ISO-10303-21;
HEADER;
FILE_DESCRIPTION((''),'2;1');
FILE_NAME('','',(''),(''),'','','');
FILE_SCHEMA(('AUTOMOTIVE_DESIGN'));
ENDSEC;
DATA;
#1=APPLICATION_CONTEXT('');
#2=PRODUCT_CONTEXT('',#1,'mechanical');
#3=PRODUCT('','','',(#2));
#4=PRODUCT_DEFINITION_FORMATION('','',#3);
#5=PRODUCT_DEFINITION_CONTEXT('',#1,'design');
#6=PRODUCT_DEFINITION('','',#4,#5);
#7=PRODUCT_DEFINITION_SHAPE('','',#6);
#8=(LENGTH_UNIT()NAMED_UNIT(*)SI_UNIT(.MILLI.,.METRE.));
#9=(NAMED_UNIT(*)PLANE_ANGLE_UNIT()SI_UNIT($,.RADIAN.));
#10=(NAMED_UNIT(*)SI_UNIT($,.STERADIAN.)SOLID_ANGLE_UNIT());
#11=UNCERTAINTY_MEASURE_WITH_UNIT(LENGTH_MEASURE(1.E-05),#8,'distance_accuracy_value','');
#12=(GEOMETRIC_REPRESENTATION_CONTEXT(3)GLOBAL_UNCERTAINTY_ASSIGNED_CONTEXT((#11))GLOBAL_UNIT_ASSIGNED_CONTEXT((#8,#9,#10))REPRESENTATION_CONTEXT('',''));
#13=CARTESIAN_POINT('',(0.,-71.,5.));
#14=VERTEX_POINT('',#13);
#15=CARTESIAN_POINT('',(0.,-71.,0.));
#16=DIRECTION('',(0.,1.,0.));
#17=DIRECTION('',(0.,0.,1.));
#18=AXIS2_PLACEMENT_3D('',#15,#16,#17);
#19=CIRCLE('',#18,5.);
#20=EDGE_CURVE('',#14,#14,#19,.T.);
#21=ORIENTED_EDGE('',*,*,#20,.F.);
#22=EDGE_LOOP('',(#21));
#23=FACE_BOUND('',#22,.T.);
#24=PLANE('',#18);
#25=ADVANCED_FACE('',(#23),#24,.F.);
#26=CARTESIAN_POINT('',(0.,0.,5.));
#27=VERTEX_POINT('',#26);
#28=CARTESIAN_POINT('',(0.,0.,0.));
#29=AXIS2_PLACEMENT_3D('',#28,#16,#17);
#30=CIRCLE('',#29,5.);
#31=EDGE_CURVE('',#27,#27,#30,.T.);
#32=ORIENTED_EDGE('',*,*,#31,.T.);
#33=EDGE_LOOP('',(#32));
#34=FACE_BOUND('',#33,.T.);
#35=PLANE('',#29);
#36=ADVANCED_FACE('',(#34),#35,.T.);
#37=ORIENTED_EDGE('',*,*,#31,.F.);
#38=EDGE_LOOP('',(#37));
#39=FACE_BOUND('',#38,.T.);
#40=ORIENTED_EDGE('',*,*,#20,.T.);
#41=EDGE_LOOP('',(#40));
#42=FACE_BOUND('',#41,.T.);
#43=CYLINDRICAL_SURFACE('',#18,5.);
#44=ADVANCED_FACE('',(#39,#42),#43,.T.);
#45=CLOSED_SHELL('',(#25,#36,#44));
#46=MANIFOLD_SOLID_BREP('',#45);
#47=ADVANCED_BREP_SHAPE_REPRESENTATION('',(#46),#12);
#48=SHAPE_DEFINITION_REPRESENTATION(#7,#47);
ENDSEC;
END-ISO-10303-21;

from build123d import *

# Parameters (mm, degrees)
ESQUISSE1_R        = 5
BOSS_EXTRU_1_DEPTH = 71


with BuildPart() as part:
    # Esquisse1 → Boss.-Extru.1 (new body)
    with BuildSketch(Plane(origin=(0, 0, 0), x_dir=(1, 0, 0), z_dir=(0, 1, 0))):
        with Locations(Location((0, 0, 0), (0, 0, 270))):
            Circle(ESQUISSE1_R)
    extrude(amount=-BOSS_EXTRU_1_DEPTH)


solid = part.part
